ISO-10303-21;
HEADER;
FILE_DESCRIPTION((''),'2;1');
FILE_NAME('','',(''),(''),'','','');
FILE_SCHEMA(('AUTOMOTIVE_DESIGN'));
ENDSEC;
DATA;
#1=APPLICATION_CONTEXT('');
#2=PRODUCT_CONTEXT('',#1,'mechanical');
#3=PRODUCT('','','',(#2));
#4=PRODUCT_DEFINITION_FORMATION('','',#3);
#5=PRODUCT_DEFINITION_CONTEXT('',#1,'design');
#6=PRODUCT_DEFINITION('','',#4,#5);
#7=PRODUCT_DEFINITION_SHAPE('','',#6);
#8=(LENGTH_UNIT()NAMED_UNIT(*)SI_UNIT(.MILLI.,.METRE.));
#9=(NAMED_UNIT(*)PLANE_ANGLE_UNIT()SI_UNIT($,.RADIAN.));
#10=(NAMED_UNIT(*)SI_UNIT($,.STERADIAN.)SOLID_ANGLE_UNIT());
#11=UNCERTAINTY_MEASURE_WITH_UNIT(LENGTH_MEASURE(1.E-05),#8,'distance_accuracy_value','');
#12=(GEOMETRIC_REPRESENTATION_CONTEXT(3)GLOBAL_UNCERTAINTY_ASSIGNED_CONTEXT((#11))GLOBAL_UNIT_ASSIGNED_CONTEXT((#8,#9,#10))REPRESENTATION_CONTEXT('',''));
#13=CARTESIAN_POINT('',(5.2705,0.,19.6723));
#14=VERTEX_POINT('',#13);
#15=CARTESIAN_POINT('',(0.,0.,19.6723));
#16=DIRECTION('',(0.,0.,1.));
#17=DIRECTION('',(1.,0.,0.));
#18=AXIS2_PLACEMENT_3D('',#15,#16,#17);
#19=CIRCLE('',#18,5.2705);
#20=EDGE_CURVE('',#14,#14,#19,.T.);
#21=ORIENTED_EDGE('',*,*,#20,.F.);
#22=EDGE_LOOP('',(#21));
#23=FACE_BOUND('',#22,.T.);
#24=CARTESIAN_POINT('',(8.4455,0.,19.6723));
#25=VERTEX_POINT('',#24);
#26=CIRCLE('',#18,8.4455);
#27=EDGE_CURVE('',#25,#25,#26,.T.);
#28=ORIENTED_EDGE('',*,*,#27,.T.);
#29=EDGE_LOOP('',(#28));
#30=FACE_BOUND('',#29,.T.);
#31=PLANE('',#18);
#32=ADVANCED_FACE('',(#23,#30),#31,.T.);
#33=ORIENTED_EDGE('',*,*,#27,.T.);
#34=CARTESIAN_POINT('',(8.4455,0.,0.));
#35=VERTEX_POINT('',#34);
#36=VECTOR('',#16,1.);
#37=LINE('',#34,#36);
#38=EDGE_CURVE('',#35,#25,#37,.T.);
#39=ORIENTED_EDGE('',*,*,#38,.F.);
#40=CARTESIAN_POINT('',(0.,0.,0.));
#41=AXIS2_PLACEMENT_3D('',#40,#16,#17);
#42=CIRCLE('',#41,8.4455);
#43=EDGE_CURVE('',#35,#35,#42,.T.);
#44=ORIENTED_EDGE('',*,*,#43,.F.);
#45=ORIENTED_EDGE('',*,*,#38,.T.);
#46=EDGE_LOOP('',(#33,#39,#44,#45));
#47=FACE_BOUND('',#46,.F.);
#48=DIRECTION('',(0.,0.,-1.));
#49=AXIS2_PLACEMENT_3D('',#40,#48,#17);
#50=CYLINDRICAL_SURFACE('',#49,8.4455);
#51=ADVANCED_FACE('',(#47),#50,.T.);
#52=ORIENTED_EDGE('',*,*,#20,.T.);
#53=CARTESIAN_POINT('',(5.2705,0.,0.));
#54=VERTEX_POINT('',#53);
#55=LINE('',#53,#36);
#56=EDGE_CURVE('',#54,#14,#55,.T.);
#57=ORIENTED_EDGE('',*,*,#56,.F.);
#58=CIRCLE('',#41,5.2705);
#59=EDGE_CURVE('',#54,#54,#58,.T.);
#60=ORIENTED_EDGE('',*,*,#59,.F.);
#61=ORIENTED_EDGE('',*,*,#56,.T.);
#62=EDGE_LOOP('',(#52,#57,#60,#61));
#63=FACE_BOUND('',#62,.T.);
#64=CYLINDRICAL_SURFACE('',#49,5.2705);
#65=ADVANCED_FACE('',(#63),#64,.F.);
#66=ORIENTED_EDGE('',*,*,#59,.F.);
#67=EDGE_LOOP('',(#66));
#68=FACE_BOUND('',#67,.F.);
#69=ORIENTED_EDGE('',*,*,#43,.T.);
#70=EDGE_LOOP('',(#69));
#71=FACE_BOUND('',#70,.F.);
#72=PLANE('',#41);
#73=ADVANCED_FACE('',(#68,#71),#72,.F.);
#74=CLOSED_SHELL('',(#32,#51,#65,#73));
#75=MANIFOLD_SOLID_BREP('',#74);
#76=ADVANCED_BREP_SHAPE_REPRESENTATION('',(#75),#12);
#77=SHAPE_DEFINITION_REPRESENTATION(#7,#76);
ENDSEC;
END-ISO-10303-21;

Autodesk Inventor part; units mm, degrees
ref_plane "YZ Plane" through (0, 0, 0) normal (1, 0, 0) x (0, 1, 0)
ref_plane "XZ Plane" through (0, 0, 0) normal (0, 1, 0) x (-1, 0, 0)
ref_plane "XY Plane" through (0, 0, 0) normal (0, 0, 1) x (1, 0, 0)
sketch "Sketch1" plane through (0, 0, 0) normal (0, 0, 1) x (1, 0, 0)
  circle A0 centre (0, 0) radius 5.2705
  circle A1 centre (0, 0) radius 8.4455
  dimension "d0" = 3.175
  dimension "d1" = 10.541
extrude "Extrusion1" add sketch "Sketch1" along normal blind 19.6723
properties part number "GP-SP-008" material "ABS Plastic"
